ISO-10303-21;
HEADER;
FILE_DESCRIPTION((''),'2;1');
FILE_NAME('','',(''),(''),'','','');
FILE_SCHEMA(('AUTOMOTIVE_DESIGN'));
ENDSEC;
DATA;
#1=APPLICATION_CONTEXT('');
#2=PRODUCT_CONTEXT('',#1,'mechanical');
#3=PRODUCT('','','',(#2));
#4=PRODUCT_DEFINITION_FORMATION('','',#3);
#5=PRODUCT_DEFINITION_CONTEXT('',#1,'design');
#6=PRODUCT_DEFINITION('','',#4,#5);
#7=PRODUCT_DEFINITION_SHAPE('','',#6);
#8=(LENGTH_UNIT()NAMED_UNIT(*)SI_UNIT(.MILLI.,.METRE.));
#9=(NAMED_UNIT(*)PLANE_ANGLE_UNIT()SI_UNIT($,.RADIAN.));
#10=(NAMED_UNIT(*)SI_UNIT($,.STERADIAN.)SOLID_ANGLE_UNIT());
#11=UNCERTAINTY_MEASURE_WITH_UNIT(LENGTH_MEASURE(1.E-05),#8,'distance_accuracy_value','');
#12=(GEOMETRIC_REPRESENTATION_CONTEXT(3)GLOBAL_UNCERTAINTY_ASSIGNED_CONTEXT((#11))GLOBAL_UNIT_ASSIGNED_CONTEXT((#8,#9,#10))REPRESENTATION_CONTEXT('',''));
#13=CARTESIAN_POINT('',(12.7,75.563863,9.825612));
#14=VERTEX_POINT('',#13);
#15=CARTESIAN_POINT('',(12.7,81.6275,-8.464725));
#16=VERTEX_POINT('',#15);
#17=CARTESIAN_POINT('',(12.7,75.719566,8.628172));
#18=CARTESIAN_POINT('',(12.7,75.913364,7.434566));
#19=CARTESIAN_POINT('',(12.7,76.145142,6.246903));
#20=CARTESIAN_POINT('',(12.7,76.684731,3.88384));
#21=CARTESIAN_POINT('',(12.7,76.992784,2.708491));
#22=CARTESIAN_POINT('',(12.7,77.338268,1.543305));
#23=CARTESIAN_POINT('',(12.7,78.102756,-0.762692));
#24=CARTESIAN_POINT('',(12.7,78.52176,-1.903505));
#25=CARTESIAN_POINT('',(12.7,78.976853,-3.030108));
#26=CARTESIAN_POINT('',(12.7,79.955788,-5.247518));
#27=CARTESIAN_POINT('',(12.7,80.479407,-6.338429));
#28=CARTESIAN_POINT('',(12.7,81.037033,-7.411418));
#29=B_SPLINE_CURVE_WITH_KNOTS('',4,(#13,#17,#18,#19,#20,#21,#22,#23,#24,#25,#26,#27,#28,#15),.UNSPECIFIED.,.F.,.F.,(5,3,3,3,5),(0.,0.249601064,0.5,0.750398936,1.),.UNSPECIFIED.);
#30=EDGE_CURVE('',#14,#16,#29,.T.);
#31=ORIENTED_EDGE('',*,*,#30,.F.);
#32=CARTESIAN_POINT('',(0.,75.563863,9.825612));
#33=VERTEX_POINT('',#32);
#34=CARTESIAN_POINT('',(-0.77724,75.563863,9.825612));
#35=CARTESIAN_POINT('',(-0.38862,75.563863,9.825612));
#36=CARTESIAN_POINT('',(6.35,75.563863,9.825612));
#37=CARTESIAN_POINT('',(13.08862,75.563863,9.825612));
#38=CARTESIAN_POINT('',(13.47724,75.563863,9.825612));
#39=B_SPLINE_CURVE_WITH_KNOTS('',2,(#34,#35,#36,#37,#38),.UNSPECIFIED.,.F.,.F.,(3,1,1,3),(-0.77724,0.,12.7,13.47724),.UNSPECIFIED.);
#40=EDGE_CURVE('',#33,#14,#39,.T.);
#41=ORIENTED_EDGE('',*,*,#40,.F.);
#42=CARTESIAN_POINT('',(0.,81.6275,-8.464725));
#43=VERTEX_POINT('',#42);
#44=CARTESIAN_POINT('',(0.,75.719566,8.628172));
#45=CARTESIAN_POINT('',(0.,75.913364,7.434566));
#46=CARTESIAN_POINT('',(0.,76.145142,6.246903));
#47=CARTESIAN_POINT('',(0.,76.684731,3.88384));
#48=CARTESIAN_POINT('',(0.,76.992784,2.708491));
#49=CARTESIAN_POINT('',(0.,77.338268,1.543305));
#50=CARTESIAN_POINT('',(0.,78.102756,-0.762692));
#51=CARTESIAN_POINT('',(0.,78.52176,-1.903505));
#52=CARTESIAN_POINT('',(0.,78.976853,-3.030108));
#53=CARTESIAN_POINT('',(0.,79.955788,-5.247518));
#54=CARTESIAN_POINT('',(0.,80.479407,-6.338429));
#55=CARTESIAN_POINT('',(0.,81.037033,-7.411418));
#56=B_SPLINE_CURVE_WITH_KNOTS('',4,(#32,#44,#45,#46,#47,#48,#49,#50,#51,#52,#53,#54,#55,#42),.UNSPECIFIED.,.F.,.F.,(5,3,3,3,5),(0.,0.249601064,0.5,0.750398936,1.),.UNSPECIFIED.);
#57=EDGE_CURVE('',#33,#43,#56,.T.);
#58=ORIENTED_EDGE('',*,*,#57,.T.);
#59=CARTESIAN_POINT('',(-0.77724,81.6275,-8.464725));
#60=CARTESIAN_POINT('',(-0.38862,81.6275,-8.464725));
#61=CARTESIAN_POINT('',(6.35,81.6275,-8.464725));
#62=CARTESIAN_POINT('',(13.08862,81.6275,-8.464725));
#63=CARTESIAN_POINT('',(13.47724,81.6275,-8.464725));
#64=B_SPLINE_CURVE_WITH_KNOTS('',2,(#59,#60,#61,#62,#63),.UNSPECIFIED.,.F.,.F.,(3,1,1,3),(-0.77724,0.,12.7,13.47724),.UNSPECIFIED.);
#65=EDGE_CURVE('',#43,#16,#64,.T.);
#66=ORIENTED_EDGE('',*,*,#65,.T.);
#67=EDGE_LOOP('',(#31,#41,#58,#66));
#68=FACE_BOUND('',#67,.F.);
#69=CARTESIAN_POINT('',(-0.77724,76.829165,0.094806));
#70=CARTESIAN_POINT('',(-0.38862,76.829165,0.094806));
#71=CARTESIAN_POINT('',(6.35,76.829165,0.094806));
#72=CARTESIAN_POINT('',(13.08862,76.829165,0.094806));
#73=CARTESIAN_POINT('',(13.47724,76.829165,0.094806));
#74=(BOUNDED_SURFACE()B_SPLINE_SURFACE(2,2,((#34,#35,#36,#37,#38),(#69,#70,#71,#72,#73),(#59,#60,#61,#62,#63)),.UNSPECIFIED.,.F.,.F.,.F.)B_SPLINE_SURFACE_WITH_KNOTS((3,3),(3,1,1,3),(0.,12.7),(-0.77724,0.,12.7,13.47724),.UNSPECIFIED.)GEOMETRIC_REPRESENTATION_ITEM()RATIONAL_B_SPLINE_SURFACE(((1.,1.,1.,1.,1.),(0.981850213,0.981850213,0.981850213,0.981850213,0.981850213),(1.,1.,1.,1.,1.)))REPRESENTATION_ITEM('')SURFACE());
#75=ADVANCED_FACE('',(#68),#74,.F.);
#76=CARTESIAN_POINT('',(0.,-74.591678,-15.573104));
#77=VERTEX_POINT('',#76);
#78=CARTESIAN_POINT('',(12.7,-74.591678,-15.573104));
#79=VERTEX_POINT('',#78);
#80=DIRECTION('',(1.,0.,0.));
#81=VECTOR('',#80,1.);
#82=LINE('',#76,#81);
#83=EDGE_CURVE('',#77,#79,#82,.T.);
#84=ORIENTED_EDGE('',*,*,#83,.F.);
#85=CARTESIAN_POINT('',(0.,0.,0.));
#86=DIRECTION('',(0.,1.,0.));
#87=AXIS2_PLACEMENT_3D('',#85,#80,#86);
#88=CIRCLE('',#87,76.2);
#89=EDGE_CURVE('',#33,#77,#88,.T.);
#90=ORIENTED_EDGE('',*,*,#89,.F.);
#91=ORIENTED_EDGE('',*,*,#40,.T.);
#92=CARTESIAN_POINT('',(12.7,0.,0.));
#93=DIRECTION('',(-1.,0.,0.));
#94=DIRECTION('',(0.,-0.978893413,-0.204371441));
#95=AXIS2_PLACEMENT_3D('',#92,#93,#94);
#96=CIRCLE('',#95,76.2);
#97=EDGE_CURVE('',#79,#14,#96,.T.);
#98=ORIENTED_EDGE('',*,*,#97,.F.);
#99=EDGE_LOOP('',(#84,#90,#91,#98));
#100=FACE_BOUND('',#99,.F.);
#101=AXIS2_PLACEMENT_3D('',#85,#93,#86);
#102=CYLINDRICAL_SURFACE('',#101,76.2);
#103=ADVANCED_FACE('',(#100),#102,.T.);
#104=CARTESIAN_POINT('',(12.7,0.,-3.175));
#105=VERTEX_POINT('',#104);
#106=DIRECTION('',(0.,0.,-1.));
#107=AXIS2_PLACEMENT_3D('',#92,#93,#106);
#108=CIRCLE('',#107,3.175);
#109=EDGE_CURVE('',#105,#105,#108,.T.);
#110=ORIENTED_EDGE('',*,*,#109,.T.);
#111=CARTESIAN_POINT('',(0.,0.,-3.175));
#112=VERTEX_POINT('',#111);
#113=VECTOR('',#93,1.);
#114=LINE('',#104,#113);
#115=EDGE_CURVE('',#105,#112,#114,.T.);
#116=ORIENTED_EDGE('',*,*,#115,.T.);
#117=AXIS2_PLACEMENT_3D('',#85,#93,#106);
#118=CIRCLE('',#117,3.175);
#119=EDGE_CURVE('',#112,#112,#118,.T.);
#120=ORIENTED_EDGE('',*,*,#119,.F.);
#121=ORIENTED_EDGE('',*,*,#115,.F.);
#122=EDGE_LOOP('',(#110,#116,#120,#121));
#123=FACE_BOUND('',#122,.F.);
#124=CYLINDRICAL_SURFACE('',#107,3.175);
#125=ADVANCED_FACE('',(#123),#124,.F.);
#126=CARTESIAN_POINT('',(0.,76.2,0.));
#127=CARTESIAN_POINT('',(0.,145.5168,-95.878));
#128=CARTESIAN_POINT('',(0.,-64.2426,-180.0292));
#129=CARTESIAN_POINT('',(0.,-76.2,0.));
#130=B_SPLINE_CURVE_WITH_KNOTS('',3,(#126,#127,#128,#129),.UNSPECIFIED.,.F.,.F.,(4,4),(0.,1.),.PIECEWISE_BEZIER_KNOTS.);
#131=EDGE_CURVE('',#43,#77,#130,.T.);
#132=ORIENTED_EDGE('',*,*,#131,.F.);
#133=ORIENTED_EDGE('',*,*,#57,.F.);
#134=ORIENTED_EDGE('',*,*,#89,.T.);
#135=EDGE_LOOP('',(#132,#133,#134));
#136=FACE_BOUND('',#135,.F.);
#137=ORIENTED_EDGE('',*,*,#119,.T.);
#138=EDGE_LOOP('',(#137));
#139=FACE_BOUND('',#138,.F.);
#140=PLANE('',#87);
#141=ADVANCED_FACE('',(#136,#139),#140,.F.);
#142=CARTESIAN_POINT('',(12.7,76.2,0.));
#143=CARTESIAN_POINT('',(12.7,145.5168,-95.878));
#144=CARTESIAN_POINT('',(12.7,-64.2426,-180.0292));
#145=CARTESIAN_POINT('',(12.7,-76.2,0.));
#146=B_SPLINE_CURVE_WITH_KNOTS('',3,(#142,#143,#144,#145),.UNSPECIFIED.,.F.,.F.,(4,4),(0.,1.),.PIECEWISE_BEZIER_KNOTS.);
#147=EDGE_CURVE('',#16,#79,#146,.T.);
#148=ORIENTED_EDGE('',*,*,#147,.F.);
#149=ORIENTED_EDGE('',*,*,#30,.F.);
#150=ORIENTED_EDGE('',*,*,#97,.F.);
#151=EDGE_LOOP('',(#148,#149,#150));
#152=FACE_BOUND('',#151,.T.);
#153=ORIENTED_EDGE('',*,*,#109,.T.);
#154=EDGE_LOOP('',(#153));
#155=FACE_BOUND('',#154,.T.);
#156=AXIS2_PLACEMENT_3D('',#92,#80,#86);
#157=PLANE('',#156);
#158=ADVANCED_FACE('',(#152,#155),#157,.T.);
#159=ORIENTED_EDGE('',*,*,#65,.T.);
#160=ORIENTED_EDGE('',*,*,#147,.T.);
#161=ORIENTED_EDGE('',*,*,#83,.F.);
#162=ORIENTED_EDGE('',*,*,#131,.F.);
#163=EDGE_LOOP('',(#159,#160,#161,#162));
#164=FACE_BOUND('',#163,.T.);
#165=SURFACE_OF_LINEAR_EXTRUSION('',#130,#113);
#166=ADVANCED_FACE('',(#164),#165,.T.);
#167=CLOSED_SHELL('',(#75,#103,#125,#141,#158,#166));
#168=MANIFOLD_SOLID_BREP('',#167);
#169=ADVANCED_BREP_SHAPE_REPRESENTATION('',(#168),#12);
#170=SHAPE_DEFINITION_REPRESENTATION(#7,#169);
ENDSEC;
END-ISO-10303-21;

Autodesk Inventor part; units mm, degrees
ref_plane "YZ Plane" through (0, 0, 0) normal (1, 0, 0) x (0, 1, 0)
ref_plane "XZ Plane" through (0, 0, 0) normal (0, 1, 0) x (-1, 0, 0)
ref_plane "XY Plane" through (0, 0, 0) normal (0, 0, 1) x (1, 0, 0)
sketch "Sketch1" plane through (0, 0, 0) normal (1, 0, 0) x (0, 1, 0)
  circle A0 centre (0, 0) radius 76.2
  spline S0 degree 3 poles (76.2, 0) (145.5168, -95.878) (-64.2426, -180.0292) (-76.2, 0) knots 0 0 0 0 1 1 1 1
  point P0 (76.2, -76.2)
  point P1 (0, -105.0953)
  dimension "d0" = 152.4
extrude "Extrusion1" add sketch "Sketch1" along normal blind 12.7
fillet "Fillet1" radius 50.8 1 edges at (6.35, 76.2, 0)
sketch "Sketch2" plane through (12.7, 0, 0) normal (1, 0, 0) x (0, 0, -1)
  arc A0 (-9.8256, 75.5639) -> (0, -76.2) centre (0, 0) ccw projected
hole "Hole1" at (12.7, 0, 0) direction (-1, 0, 0) diameter 6.35 end through all
properties part number "plateCamPart"
